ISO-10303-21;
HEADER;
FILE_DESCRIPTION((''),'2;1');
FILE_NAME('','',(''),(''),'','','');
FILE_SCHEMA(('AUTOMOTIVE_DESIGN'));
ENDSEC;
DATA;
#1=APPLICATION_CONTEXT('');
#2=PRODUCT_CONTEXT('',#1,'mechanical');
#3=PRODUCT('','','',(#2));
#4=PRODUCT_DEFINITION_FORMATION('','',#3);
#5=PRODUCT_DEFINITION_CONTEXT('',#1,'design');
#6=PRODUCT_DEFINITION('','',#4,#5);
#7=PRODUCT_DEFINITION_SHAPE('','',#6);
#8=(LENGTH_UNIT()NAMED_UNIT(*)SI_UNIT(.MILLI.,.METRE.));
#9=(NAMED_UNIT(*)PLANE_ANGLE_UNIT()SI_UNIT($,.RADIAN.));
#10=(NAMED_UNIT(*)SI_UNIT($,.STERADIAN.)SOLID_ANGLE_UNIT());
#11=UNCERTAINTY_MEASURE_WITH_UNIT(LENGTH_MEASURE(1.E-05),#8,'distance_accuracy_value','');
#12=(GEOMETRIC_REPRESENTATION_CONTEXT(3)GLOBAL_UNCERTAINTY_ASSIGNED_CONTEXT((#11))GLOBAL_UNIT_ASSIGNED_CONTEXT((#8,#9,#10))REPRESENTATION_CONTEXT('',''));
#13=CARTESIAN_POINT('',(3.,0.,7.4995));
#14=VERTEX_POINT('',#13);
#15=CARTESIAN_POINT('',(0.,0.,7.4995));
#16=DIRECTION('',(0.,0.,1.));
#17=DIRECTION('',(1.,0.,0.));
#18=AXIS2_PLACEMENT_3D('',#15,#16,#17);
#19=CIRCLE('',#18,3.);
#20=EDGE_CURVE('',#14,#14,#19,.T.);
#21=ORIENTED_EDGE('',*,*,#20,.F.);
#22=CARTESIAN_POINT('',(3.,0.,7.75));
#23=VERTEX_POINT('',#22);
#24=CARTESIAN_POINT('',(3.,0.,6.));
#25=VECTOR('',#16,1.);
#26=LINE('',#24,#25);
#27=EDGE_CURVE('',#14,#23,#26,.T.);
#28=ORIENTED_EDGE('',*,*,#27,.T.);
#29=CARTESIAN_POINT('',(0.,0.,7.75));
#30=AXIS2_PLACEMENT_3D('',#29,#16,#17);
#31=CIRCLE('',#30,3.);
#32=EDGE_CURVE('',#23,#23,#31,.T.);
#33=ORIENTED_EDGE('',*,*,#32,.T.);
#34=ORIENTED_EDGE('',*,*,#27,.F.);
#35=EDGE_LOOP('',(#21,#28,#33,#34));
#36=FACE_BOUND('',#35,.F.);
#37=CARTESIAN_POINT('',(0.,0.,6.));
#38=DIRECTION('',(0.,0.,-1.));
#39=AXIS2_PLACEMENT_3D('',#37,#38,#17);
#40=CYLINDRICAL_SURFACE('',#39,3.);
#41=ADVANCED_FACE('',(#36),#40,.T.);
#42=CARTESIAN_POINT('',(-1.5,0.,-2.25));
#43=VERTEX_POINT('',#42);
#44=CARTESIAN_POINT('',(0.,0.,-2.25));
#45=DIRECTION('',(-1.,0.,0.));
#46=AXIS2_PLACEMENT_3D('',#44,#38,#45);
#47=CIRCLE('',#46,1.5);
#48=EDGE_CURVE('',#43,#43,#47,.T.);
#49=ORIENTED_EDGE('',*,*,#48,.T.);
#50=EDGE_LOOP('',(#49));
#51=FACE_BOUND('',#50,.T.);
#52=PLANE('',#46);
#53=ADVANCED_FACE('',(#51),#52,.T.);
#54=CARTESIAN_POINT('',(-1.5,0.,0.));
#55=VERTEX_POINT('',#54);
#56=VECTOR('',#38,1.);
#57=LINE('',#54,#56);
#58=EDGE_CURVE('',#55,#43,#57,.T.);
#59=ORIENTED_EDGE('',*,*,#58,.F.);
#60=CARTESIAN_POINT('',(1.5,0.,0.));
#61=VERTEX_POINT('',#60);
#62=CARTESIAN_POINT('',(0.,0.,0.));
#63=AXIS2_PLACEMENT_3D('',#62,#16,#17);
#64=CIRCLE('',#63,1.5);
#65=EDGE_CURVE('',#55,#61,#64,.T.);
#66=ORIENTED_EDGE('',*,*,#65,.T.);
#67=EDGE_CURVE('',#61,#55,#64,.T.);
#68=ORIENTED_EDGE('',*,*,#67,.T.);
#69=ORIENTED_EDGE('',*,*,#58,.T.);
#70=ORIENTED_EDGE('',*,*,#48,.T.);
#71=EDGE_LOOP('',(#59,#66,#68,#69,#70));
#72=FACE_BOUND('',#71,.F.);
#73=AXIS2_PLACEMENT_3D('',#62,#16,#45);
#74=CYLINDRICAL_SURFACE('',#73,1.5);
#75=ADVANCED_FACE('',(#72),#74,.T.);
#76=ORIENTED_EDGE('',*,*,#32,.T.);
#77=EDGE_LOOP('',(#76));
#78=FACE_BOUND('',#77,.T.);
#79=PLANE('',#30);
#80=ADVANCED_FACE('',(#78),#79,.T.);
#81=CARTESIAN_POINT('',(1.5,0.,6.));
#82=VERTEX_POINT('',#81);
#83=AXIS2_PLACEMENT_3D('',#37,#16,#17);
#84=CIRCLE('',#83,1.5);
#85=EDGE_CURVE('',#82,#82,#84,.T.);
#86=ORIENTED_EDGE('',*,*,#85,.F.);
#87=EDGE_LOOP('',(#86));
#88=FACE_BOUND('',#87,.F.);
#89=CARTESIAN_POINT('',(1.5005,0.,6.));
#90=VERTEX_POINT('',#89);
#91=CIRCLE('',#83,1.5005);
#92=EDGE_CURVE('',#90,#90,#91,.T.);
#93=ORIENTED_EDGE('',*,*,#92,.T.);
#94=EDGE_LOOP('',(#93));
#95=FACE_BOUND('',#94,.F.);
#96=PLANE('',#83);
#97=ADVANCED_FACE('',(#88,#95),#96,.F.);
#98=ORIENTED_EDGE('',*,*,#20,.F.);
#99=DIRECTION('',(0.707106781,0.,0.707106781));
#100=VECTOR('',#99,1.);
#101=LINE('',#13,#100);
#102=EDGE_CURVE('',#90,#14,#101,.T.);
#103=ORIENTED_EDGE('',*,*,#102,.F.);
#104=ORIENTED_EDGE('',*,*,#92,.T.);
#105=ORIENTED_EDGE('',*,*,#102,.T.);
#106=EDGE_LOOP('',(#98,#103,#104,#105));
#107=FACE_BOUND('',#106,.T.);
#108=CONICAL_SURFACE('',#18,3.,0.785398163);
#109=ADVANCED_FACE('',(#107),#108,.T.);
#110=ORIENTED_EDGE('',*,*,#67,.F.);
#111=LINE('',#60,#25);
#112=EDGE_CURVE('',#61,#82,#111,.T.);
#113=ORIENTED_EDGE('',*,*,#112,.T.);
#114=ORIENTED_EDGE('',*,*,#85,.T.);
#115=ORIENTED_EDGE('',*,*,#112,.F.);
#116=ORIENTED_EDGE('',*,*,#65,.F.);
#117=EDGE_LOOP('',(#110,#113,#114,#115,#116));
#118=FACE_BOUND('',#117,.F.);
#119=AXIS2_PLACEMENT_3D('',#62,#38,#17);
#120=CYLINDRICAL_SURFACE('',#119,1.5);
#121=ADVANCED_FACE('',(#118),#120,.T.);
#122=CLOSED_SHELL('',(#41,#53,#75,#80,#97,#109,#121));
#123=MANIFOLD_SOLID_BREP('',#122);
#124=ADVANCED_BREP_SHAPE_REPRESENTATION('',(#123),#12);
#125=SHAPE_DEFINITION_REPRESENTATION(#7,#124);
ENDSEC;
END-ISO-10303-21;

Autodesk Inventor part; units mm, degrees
ref_plane "YZ Plane" through (0, 0, 0) normal (1, 0, 0) x (0, 1, 0)
ref_plane "XZ Plane" through (0, 0, 0) normal (0, 1, 0) x (-1, 0, 0)
ref_plane "XY Plane" through (0, 0, 0) normal (0, 0, 1) x (1, 0, 0)
sketch "スケッチ1" plane through (0, 0, 0) normal (0, 0, 1) x (1, 0, 0)
  circle A0 centre (0, 0) radius 1.5
  dimension "d0" = 3
extrude "押し出し1" add sketch "スケッチ1" along normal blind 6
sketch "スケッチ2" plane through (0, 0, 6) normal (0, 0, 1) x (1, 0, 0)
  circle A0 centre (0, 0) radius 1.5 projected
  circle A1 centre (0, 0) radius 3
  dimension "d3" = 6
extrude "押し出し2" add sketch "スケッチ2" along normal blind 1.75 contours A0 | A1
thread "ねじ1" size "M3x0.5" class "6g" standard "ANSI Metric M Profile" full length
chamfer "面取り1" distance 1.5 angle 45 1 edges at (-3, 0, 6)
sketch "スケッチ4" plane through (0, 0, 0) normal (0, 0, -1) x (-1, 0, 0)
  circle A0 centre (0, 0) radius 1.5 projected
extrude "押し出し4" add sketch "スケッチ4" along normal blind 4
sketch "スケッチ5" plane through (0, 0, -4) normal (0, 0, -1) x (-1, 0, 0)
  circle A0 centre (0, 0) radius 1.5 projected
extrude "押し出し5" cut sketch "スケッチ5" against normal blind 1.75
properties part number "SB　10mm皿ネジ" material "Steel, Mild"
